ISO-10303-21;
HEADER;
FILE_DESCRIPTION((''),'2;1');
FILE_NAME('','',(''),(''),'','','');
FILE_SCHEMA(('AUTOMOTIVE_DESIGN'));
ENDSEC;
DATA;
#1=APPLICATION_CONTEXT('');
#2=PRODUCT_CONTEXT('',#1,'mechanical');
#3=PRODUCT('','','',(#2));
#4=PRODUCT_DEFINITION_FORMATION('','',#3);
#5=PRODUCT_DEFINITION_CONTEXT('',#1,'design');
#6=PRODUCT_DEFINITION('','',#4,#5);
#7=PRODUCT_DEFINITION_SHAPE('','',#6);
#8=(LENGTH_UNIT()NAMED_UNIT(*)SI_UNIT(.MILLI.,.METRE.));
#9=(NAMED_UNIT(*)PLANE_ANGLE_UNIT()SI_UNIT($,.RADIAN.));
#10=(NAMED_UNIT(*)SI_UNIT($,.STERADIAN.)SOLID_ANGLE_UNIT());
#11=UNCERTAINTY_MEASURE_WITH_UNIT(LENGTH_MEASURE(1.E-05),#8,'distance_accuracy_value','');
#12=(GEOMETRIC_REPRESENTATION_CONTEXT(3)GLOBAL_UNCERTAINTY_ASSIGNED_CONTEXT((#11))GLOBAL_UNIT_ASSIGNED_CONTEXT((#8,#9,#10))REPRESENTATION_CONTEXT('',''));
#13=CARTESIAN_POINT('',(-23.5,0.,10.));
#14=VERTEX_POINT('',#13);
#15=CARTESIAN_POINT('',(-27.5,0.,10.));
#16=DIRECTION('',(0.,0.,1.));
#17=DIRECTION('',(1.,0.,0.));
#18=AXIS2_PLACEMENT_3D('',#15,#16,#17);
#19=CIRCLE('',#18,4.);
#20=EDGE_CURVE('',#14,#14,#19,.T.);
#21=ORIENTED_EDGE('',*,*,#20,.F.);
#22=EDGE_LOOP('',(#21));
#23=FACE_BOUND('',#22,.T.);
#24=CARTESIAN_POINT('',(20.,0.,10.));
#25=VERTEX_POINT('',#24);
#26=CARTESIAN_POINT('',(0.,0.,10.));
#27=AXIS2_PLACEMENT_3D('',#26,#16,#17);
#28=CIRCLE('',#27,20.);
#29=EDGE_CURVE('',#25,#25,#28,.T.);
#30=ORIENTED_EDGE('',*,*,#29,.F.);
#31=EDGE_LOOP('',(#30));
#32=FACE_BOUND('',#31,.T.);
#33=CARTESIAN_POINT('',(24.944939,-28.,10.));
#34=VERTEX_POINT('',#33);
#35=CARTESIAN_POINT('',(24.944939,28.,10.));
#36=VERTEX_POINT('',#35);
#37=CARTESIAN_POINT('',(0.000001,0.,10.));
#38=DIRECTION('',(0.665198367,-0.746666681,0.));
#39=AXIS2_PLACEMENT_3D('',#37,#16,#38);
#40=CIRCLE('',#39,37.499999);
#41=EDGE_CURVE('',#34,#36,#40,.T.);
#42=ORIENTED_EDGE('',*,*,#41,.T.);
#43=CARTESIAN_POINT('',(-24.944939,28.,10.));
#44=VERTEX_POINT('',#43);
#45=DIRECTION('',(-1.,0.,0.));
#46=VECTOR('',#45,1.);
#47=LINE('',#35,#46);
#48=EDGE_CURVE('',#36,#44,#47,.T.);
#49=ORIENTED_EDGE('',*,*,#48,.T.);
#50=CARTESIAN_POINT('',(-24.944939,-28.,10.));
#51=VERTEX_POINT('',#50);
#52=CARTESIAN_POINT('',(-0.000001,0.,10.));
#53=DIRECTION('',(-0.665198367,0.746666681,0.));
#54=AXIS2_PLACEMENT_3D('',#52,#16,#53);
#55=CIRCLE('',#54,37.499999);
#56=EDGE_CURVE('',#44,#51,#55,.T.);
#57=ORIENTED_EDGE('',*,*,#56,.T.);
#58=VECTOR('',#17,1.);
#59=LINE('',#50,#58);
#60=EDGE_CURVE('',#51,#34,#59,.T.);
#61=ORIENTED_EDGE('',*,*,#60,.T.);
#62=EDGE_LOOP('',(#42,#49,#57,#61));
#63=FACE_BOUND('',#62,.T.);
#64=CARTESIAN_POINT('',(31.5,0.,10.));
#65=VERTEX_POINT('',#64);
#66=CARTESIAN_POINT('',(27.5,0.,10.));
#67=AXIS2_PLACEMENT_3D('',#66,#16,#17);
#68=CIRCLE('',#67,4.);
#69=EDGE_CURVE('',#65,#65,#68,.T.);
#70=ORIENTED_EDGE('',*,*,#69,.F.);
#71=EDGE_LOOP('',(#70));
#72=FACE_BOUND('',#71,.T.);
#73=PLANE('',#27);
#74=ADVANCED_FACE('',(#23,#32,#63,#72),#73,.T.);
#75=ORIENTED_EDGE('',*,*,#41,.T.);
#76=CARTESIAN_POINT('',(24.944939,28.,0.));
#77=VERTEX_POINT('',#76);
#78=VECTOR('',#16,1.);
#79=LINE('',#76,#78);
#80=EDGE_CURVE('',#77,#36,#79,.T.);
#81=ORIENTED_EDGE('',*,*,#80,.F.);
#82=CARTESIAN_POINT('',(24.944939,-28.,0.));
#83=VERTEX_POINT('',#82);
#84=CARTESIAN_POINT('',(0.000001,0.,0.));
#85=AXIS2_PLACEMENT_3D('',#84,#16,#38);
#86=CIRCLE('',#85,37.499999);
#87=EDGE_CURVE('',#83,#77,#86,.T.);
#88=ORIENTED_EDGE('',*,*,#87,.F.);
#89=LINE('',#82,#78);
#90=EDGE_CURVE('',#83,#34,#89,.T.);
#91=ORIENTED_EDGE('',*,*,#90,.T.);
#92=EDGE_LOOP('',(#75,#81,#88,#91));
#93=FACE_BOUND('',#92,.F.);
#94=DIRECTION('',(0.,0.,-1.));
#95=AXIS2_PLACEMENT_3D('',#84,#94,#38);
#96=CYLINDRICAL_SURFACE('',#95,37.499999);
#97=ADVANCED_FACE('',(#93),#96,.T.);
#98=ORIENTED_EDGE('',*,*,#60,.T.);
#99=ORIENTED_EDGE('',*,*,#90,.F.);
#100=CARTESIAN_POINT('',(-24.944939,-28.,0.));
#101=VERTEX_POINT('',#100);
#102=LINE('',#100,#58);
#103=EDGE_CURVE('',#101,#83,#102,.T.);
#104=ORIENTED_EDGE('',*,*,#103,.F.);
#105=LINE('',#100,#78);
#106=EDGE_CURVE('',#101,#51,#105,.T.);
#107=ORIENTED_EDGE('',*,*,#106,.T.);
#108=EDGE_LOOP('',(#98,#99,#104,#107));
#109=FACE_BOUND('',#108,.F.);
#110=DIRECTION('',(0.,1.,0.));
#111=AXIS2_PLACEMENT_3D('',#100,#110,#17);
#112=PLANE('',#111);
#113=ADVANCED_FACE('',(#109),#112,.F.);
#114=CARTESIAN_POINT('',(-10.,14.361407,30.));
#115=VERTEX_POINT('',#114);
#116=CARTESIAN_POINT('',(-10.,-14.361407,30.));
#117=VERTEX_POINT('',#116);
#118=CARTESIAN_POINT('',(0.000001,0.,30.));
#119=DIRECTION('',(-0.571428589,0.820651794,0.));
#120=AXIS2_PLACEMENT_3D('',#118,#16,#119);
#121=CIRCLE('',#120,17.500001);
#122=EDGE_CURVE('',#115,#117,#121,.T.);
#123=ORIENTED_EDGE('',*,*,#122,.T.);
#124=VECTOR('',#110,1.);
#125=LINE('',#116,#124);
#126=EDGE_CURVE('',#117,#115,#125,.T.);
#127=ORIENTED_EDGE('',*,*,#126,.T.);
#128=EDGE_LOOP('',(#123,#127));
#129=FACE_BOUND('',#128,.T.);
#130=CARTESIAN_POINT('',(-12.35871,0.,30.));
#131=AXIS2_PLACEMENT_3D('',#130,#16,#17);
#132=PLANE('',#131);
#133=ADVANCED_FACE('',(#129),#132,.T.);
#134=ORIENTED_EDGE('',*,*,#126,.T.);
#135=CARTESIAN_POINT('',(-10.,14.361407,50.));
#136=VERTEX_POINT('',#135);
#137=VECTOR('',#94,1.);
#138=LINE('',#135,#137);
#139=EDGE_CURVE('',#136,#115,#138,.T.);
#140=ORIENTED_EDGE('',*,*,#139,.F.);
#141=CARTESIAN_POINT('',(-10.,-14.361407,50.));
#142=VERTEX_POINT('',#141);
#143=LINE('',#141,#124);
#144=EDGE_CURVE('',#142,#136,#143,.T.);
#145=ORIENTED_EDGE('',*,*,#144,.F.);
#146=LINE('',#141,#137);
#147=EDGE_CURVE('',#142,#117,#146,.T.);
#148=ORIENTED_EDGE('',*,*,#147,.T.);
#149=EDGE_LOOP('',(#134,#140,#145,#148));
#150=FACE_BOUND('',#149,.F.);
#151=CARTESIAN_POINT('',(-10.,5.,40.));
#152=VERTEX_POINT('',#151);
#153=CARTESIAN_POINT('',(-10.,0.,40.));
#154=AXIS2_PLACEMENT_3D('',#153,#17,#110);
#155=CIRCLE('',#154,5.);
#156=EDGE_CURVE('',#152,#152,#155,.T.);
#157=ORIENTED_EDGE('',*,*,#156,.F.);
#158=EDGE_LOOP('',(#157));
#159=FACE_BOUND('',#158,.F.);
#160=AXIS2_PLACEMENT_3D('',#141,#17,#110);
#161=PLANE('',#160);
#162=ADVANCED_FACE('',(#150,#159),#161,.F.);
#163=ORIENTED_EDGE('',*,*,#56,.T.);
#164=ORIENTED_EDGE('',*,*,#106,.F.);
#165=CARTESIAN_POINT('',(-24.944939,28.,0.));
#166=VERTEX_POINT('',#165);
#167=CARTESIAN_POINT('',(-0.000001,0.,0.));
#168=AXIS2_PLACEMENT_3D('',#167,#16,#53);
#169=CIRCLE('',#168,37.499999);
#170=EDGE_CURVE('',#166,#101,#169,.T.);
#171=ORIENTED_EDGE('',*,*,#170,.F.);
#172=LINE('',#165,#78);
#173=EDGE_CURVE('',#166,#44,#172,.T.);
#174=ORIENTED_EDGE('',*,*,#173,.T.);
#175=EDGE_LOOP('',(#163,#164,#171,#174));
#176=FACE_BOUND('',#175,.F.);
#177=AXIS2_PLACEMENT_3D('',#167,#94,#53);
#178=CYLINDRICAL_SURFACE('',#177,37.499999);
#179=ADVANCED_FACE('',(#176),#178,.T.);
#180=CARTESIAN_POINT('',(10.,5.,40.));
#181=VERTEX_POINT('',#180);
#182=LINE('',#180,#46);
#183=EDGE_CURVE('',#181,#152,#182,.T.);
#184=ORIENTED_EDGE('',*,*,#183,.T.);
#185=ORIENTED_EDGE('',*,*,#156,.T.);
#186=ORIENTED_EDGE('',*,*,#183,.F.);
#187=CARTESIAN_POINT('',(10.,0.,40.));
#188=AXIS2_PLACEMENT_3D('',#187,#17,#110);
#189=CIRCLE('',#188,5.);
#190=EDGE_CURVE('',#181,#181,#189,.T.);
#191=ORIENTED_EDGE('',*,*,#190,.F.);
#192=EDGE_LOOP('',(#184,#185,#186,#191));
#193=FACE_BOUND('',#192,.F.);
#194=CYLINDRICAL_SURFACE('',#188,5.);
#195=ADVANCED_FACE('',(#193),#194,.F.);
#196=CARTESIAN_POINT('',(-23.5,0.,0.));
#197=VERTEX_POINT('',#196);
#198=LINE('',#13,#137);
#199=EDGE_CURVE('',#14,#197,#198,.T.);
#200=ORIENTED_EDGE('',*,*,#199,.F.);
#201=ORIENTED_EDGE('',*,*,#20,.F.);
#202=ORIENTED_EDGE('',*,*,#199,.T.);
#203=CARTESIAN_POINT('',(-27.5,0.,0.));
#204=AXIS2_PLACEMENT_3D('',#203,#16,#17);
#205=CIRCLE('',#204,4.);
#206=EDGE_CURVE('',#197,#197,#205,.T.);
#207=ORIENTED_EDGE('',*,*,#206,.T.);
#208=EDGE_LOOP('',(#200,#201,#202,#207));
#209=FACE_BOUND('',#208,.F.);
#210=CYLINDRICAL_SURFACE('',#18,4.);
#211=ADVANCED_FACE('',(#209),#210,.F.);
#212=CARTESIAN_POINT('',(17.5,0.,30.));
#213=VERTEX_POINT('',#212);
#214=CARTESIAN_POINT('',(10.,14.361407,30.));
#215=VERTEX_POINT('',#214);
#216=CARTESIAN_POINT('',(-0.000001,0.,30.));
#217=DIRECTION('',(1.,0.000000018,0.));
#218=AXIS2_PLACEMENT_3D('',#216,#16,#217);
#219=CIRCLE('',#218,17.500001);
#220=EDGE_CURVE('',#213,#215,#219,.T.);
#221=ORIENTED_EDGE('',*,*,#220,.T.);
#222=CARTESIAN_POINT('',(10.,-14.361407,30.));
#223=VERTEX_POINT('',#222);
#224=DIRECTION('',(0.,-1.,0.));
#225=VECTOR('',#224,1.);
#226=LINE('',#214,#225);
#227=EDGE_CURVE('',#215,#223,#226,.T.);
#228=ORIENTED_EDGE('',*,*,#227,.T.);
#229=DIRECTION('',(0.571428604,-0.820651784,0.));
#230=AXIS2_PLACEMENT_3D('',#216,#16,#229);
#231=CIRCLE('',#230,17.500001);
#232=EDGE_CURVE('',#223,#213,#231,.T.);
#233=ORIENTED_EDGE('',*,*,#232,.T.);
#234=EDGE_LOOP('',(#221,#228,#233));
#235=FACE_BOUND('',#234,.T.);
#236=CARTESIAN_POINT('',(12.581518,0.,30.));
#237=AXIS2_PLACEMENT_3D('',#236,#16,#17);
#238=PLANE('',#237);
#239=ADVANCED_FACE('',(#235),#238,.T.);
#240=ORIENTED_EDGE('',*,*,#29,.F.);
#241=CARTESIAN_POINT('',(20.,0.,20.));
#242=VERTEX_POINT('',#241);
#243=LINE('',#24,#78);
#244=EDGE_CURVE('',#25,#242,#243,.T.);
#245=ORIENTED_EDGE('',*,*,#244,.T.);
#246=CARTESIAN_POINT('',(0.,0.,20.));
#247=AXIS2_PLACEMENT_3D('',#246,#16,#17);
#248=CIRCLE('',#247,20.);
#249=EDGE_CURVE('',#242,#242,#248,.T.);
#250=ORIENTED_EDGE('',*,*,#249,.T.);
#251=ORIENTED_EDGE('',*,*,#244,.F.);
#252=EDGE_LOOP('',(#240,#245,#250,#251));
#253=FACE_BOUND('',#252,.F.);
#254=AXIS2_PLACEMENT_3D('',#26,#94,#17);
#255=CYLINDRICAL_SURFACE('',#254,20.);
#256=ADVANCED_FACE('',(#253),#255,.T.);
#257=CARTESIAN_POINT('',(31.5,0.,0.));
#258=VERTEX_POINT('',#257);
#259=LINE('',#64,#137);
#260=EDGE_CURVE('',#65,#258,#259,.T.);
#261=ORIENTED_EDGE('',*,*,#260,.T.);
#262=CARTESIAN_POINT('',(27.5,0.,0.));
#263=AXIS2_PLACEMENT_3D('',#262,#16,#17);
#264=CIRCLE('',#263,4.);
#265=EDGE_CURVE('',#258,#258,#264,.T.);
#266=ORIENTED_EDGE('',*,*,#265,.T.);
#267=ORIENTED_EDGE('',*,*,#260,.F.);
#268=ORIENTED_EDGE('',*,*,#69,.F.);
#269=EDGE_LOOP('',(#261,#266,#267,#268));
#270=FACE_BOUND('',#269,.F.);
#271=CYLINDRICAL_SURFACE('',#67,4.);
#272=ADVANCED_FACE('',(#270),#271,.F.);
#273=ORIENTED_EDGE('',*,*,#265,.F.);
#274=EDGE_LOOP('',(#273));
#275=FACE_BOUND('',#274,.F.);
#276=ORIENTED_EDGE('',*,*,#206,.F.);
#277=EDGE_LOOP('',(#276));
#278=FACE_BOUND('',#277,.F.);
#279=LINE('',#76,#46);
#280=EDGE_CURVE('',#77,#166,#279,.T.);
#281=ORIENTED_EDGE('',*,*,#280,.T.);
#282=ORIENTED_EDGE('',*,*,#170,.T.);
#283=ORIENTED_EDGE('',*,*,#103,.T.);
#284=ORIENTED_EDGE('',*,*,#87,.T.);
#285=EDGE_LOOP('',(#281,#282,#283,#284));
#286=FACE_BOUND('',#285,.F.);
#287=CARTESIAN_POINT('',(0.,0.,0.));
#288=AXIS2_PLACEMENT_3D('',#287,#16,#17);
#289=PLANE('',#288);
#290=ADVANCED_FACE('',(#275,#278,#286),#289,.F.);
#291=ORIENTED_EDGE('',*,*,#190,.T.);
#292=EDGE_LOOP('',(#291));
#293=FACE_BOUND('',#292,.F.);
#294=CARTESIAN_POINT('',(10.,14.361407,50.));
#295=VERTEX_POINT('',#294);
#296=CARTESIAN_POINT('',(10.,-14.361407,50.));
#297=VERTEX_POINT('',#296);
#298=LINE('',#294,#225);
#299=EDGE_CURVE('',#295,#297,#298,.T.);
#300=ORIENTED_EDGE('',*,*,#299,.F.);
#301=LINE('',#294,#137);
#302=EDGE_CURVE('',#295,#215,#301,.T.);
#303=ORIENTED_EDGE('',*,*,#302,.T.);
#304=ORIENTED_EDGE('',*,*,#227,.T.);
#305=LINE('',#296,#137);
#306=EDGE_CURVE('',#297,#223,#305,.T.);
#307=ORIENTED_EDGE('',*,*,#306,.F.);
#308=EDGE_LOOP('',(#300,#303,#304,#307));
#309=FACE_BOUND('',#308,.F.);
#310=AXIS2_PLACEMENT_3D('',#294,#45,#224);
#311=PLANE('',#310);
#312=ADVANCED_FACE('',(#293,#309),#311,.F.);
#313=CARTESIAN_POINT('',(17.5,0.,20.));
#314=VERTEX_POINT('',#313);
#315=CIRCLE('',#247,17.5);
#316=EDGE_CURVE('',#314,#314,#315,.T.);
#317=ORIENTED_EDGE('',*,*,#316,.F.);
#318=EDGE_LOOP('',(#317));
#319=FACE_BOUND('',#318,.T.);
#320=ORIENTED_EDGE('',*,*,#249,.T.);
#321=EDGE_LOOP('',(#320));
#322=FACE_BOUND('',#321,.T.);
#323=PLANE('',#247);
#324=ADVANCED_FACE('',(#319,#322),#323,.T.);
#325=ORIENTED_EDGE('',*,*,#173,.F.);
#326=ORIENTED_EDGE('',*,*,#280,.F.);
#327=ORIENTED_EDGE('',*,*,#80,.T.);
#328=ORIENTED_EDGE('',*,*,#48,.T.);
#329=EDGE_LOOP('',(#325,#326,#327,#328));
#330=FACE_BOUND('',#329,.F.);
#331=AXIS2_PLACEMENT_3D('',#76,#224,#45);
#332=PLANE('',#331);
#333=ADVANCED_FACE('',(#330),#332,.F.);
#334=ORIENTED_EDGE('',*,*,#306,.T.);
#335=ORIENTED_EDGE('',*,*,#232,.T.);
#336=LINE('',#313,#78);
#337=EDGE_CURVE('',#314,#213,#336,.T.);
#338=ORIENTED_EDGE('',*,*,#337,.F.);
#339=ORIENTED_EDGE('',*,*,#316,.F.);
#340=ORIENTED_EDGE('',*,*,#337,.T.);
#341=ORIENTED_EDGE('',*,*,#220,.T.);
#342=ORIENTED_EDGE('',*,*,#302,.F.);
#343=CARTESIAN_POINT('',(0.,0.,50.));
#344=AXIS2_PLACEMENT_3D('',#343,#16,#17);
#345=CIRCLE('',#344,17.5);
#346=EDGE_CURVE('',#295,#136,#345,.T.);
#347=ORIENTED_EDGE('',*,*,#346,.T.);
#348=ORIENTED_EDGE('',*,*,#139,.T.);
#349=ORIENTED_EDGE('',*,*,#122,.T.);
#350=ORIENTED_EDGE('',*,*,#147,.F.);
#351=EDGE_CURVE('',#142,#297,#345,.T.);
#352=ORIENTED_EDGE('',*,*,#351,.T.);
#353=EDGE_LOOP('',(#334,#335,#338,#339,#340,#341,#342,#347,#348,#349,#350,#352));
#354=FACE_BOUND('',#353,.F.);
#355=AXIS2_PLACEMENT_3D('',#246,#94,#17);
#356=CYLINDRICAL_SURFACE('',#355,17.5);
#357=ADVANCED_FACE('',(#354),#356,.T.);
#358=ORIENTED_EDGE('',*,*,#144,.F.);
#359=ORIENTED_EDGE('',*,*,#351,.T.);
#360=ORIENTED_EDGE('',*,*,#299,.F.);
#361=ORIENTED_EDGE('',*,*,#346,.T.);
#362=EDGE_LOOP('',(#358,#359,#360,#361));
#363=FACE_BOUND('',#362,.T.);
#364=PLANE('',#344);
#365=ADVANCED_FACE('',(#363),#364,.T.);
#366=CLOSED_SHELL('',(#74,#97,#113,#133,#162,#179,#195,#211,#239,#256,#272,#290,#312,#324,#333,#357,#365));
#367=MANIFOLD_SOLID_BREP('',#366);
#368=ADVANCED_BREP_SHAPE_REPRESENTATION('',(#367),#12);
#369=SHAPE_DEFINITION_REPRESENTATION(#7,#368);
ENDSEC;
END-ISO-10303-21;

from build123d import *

# Parameters (mm, degrees)
F1_DEPTH  = 10
F2_R      = 4
F3_DEPTH  = 10
F4_R      = 20
F5_DEPTH  = 10
F6_R      = 17.5
F7_DEPTH  = 30
F9_DEPTH  = 20
F10_R     = 5
F11_DEPTH = 20


with BuildPart() as f1:
    # F0 (on Top) → F1 (new body)
    with BuildSketch(Plane.XY):
        with BuildLine():
            Line((24.944939, 28), (-24.944939, 28))
            ThreePointArc((-24.944939, 28), (-37.5, 0), (-24.944939, -28))
            Line((-24.944939, -28), (24.944939, -28))
            ThreePointArc((24.944939, -28), (37.5, 0), (24.944939, 28))
        make_face()
    extrude(amount=F1_DEPTH)

    # F2 (on face) → F3 (cut, through all)
    with BuildSketch(Plane.XY.offset(10)):
        with Locations((-27.5, 0)):
            Circle(F2_R)
        with Locations((27.5, 0)):
            Circle(F2_R)
    extrude(amount=-F3_DEPTH, mode=Mode.SUBTRACT)

    # F4 (on face) → F5 (join)
    with BuildSketch(Plane.XY.offset(10)):
        Circle(F4_R)
    extrude(amount=F5_DEPTH)

    # F6 (on face) → F7 (join)
    with BuildSketch(Plane.XY.offset(20)):
        Circle(F6_R)
    extrude(amount=F7_DEPTH)

    # F8 (on face) → F9 (cut)
    with BuildSketch(Plane.XY.offset(50)):
        with BuildLine():
            Line((-10, -14.361407), (-10, 14.361407))
            ThreePointArc((-10, 14.361407), (-17.5, 0), (-10, -14.361407))
        make_face()
        with BuildLine():
            ThreePointArc((17.5, 0), (15.512092, 8.100926), (10, 14.361407))
            Line((10, 14.361407), (10, -14.361407))
            ThreePointArc((10, -14.361407), (15.512092, -8.100926), (17.5, 0))
        make_face()
    extrude(amount=-F9_DEPTH, mode=Mode.SUBTRACT)

    # F10 (on face) → F11 (cut, through all)
    with BuildSketch(Plane.YZ.offset(10)):
        with Locations((0, 40)):
            Circle(F10_R)
    extrude(amount=-F11_DEPTH, mode=Mode.SUBTRACT)


solid = f1.part
